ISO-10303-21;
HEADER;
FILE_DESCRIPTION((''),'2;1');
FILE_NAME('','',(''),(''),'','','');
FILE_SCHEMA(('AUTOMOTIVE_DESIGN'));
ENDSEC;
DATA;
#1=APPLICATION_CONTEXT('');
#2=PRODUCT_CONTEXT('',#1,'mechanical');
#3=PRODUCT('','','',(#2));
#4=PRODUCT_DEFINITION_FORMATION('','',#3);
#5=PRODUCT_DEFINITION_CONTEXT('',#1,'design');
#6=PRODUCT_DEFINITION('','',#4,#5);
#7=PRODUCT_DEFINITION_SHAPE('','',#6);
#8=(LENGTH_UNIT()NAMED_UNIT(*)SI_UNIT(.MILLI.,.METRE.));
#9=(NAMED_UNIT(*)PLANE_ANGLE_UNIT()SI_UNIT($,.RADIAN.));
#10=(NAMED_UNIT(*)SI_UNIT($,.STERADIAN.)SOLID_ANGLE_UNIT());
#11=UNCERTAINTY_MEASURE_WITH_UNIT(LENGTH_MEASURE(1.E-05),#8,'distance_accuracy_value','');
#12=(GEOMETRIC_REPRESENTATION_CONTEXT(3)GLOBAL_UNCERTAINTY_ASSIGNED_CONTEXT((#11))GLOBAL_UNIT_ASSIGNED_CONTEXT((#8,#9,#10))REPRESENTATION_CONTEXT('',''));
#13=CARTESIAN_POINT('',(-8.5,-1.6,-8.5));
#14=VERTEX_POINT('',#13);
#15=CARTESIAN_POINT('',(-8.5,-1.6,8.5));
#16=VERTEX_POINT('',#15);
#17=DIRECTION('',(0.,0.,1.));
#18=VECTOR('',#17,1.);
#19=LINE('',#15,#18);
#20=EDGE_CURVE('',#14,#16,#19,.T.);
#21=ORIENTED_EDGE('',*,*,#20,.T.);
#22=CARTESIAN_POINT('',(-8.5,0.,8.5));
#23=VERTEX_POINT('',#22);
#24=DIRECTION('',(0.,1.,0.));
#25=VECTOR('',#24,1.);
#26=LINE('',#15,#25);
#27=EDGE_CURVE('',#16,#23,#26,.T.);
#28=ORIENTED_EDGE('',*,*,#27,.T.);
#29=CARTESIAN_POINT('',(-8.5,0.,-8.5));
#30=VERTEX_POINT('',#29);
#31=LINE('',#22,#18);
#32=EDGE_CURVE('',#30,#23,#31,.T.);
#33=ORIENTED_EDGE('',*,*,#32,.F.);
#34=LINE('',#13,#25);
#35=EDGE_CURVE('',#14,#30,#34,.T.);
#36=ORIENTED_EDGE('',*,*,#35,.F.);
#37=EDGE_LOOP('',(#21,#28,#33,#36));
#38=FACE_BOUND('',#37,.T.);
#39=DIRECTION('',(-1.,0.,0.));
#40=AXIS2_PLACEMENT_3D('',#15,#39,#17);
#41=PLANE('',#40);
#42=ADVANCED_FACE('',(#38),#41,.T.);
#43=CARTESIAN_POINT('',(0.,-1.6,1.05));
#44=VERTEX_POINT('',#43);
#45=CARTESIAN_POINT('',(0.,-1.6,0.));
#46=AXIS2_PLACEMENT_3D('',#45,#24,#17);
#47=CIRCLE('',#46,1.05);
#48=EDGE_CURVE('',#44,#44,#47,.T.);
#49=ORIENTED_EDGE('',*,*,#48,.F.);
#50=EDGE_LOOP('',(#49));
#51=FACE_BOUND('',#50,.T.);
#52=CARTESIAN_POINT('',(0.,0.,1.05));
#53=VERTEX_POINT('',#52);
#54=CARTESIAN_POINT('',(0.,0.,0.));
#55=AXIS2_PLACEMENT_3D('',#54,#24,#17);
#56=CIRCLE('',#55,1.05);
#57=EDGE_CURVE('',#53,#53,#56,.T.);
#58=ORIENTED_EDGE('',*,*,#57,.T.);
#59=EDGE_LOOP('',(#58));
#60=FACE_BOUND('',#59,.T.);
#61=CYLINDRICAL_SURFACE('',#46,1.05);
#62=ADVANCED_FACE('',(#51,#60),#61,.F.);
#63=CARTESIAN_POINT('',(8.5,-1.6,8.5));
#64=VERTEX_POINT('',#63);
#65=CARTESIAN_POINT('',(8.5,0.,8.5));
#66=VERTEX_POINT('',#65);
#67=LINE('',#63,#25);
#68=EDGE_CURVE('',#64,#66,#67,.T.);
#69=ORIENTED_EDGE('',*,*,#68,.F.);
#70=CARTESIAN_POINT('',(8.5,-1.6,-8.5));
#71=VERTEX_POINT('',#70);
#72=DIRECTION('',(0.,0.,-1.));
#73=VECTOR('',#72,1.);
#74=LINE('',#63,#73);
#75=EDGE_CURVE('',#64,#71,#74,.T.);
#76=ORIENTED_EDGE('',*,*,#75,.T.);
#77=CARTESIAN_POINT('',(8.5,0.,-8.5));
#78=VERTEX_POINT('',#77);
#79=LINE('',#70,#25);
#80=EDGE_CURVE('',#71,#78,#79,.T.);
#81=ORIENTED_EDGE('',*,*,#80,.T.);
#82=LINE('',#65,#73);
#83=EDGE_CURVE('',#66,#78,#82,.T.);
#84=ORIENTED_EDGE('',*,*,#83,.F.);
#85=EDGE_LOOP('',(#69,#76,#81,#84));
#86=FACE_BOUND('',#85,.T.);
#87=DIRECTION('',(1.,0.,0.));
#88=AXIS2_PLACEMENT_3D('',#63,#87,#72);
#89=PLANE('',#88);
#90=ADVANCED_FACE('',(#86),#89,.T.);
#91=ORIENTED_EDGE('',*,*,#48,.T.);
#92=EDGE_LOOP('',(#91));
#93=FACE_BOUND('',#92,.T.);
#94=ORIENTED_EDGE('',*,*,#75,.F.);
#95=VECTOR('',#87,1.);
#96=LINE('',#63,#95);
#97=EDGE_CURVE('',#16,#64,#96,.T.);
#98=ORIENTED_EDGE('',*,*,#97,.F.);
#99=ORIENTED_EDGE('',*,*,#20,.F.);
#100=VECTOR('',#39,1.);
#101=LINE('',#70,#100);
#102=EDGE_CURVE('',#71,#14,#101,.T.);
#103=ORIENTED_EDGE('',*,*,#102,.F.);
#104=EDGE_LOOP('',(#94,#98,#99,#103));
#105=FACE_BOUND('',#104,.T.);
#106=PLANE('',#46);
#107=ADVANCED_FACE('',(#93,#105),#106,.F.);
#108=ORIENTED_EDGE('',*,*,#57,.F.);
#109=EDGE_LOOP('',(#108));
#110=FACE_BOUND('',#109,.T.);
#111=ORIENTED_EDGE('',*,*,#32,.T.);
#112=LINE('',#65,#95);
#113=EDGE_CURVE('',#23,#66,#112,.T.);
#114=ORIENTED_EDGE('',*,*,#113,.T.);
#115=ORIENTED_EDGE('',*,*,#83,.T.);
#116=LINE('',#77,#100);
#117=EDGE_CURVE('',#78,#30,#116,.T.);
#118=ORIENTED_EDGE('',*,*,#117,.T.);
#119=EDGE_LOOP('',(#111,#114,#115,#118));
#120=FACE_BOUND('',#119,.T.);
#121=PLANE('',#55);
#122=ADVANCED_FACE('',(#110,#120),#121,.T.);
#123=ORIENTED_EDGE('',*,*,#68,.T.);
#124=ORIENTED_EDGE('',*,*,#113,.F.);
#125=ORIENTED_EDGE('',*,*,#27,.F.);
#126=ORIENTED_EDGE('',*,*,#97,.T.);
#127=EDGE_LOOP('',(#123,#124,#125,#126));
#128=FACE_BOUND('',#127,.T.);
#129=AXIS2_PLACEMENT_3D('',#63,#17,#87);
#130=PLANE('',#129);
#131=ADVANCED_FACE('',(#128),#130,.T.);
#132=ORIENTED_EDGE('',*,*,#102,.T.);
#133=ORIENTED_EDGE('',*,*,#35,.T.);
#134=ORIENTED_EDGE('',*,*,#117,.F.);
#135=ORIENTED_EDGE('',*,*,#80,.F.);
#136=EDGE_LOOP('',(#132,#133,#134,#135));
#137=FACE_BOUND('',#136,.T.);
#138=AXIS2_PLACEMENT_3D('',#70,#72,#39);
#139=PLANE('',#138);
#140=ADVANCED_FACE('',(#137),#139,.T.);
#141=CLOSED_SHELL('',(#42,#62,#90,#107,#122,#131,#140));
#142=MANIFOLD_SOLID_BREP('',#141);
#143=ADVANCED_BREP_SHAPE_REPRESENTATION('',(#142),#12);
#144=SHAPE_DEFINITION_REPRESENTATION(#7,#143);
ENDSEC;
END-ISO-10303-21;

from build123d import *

# Parameters (mm, degrees)
SKETCH_7_W          = 17
SKETCH_7_H          = 17
EXTRUDE_5_DEPTH     = 1.6
SKETCH_12_R         = 1.05
CUT_EXTRUDE_3_DEPTH = 13.126829759


with BuildPart() as part:
    # 草图7 → 凸台-拉伸5 (new body)
    with BuildSketch(Plane(origin=(0, 0, 0), x_dir=(1, 0, 0), z_dir=(0, 1, 0))):
        Rectangle(SKETCH_7_W, SKETCH_7_H)
    extrude(amount=-EXTRUDE_5_DEPTH)

    # 草图12 → 切除-拉伸3 (cut, through all)
    with BuildSketch(Plane(origin=(0, 0, 0), x_dir=(1, 0, 0), z_dir=(0, 1, 0))):
        with Locations(Location((0, 0, 0), (0, 0, 270))):
            Circle(SKETCH_12_R)
    extrude(amount=-CUT_EXTRUDE_3_DEPTH, mode=Mode.SUBTRACT)


solid = part.part
